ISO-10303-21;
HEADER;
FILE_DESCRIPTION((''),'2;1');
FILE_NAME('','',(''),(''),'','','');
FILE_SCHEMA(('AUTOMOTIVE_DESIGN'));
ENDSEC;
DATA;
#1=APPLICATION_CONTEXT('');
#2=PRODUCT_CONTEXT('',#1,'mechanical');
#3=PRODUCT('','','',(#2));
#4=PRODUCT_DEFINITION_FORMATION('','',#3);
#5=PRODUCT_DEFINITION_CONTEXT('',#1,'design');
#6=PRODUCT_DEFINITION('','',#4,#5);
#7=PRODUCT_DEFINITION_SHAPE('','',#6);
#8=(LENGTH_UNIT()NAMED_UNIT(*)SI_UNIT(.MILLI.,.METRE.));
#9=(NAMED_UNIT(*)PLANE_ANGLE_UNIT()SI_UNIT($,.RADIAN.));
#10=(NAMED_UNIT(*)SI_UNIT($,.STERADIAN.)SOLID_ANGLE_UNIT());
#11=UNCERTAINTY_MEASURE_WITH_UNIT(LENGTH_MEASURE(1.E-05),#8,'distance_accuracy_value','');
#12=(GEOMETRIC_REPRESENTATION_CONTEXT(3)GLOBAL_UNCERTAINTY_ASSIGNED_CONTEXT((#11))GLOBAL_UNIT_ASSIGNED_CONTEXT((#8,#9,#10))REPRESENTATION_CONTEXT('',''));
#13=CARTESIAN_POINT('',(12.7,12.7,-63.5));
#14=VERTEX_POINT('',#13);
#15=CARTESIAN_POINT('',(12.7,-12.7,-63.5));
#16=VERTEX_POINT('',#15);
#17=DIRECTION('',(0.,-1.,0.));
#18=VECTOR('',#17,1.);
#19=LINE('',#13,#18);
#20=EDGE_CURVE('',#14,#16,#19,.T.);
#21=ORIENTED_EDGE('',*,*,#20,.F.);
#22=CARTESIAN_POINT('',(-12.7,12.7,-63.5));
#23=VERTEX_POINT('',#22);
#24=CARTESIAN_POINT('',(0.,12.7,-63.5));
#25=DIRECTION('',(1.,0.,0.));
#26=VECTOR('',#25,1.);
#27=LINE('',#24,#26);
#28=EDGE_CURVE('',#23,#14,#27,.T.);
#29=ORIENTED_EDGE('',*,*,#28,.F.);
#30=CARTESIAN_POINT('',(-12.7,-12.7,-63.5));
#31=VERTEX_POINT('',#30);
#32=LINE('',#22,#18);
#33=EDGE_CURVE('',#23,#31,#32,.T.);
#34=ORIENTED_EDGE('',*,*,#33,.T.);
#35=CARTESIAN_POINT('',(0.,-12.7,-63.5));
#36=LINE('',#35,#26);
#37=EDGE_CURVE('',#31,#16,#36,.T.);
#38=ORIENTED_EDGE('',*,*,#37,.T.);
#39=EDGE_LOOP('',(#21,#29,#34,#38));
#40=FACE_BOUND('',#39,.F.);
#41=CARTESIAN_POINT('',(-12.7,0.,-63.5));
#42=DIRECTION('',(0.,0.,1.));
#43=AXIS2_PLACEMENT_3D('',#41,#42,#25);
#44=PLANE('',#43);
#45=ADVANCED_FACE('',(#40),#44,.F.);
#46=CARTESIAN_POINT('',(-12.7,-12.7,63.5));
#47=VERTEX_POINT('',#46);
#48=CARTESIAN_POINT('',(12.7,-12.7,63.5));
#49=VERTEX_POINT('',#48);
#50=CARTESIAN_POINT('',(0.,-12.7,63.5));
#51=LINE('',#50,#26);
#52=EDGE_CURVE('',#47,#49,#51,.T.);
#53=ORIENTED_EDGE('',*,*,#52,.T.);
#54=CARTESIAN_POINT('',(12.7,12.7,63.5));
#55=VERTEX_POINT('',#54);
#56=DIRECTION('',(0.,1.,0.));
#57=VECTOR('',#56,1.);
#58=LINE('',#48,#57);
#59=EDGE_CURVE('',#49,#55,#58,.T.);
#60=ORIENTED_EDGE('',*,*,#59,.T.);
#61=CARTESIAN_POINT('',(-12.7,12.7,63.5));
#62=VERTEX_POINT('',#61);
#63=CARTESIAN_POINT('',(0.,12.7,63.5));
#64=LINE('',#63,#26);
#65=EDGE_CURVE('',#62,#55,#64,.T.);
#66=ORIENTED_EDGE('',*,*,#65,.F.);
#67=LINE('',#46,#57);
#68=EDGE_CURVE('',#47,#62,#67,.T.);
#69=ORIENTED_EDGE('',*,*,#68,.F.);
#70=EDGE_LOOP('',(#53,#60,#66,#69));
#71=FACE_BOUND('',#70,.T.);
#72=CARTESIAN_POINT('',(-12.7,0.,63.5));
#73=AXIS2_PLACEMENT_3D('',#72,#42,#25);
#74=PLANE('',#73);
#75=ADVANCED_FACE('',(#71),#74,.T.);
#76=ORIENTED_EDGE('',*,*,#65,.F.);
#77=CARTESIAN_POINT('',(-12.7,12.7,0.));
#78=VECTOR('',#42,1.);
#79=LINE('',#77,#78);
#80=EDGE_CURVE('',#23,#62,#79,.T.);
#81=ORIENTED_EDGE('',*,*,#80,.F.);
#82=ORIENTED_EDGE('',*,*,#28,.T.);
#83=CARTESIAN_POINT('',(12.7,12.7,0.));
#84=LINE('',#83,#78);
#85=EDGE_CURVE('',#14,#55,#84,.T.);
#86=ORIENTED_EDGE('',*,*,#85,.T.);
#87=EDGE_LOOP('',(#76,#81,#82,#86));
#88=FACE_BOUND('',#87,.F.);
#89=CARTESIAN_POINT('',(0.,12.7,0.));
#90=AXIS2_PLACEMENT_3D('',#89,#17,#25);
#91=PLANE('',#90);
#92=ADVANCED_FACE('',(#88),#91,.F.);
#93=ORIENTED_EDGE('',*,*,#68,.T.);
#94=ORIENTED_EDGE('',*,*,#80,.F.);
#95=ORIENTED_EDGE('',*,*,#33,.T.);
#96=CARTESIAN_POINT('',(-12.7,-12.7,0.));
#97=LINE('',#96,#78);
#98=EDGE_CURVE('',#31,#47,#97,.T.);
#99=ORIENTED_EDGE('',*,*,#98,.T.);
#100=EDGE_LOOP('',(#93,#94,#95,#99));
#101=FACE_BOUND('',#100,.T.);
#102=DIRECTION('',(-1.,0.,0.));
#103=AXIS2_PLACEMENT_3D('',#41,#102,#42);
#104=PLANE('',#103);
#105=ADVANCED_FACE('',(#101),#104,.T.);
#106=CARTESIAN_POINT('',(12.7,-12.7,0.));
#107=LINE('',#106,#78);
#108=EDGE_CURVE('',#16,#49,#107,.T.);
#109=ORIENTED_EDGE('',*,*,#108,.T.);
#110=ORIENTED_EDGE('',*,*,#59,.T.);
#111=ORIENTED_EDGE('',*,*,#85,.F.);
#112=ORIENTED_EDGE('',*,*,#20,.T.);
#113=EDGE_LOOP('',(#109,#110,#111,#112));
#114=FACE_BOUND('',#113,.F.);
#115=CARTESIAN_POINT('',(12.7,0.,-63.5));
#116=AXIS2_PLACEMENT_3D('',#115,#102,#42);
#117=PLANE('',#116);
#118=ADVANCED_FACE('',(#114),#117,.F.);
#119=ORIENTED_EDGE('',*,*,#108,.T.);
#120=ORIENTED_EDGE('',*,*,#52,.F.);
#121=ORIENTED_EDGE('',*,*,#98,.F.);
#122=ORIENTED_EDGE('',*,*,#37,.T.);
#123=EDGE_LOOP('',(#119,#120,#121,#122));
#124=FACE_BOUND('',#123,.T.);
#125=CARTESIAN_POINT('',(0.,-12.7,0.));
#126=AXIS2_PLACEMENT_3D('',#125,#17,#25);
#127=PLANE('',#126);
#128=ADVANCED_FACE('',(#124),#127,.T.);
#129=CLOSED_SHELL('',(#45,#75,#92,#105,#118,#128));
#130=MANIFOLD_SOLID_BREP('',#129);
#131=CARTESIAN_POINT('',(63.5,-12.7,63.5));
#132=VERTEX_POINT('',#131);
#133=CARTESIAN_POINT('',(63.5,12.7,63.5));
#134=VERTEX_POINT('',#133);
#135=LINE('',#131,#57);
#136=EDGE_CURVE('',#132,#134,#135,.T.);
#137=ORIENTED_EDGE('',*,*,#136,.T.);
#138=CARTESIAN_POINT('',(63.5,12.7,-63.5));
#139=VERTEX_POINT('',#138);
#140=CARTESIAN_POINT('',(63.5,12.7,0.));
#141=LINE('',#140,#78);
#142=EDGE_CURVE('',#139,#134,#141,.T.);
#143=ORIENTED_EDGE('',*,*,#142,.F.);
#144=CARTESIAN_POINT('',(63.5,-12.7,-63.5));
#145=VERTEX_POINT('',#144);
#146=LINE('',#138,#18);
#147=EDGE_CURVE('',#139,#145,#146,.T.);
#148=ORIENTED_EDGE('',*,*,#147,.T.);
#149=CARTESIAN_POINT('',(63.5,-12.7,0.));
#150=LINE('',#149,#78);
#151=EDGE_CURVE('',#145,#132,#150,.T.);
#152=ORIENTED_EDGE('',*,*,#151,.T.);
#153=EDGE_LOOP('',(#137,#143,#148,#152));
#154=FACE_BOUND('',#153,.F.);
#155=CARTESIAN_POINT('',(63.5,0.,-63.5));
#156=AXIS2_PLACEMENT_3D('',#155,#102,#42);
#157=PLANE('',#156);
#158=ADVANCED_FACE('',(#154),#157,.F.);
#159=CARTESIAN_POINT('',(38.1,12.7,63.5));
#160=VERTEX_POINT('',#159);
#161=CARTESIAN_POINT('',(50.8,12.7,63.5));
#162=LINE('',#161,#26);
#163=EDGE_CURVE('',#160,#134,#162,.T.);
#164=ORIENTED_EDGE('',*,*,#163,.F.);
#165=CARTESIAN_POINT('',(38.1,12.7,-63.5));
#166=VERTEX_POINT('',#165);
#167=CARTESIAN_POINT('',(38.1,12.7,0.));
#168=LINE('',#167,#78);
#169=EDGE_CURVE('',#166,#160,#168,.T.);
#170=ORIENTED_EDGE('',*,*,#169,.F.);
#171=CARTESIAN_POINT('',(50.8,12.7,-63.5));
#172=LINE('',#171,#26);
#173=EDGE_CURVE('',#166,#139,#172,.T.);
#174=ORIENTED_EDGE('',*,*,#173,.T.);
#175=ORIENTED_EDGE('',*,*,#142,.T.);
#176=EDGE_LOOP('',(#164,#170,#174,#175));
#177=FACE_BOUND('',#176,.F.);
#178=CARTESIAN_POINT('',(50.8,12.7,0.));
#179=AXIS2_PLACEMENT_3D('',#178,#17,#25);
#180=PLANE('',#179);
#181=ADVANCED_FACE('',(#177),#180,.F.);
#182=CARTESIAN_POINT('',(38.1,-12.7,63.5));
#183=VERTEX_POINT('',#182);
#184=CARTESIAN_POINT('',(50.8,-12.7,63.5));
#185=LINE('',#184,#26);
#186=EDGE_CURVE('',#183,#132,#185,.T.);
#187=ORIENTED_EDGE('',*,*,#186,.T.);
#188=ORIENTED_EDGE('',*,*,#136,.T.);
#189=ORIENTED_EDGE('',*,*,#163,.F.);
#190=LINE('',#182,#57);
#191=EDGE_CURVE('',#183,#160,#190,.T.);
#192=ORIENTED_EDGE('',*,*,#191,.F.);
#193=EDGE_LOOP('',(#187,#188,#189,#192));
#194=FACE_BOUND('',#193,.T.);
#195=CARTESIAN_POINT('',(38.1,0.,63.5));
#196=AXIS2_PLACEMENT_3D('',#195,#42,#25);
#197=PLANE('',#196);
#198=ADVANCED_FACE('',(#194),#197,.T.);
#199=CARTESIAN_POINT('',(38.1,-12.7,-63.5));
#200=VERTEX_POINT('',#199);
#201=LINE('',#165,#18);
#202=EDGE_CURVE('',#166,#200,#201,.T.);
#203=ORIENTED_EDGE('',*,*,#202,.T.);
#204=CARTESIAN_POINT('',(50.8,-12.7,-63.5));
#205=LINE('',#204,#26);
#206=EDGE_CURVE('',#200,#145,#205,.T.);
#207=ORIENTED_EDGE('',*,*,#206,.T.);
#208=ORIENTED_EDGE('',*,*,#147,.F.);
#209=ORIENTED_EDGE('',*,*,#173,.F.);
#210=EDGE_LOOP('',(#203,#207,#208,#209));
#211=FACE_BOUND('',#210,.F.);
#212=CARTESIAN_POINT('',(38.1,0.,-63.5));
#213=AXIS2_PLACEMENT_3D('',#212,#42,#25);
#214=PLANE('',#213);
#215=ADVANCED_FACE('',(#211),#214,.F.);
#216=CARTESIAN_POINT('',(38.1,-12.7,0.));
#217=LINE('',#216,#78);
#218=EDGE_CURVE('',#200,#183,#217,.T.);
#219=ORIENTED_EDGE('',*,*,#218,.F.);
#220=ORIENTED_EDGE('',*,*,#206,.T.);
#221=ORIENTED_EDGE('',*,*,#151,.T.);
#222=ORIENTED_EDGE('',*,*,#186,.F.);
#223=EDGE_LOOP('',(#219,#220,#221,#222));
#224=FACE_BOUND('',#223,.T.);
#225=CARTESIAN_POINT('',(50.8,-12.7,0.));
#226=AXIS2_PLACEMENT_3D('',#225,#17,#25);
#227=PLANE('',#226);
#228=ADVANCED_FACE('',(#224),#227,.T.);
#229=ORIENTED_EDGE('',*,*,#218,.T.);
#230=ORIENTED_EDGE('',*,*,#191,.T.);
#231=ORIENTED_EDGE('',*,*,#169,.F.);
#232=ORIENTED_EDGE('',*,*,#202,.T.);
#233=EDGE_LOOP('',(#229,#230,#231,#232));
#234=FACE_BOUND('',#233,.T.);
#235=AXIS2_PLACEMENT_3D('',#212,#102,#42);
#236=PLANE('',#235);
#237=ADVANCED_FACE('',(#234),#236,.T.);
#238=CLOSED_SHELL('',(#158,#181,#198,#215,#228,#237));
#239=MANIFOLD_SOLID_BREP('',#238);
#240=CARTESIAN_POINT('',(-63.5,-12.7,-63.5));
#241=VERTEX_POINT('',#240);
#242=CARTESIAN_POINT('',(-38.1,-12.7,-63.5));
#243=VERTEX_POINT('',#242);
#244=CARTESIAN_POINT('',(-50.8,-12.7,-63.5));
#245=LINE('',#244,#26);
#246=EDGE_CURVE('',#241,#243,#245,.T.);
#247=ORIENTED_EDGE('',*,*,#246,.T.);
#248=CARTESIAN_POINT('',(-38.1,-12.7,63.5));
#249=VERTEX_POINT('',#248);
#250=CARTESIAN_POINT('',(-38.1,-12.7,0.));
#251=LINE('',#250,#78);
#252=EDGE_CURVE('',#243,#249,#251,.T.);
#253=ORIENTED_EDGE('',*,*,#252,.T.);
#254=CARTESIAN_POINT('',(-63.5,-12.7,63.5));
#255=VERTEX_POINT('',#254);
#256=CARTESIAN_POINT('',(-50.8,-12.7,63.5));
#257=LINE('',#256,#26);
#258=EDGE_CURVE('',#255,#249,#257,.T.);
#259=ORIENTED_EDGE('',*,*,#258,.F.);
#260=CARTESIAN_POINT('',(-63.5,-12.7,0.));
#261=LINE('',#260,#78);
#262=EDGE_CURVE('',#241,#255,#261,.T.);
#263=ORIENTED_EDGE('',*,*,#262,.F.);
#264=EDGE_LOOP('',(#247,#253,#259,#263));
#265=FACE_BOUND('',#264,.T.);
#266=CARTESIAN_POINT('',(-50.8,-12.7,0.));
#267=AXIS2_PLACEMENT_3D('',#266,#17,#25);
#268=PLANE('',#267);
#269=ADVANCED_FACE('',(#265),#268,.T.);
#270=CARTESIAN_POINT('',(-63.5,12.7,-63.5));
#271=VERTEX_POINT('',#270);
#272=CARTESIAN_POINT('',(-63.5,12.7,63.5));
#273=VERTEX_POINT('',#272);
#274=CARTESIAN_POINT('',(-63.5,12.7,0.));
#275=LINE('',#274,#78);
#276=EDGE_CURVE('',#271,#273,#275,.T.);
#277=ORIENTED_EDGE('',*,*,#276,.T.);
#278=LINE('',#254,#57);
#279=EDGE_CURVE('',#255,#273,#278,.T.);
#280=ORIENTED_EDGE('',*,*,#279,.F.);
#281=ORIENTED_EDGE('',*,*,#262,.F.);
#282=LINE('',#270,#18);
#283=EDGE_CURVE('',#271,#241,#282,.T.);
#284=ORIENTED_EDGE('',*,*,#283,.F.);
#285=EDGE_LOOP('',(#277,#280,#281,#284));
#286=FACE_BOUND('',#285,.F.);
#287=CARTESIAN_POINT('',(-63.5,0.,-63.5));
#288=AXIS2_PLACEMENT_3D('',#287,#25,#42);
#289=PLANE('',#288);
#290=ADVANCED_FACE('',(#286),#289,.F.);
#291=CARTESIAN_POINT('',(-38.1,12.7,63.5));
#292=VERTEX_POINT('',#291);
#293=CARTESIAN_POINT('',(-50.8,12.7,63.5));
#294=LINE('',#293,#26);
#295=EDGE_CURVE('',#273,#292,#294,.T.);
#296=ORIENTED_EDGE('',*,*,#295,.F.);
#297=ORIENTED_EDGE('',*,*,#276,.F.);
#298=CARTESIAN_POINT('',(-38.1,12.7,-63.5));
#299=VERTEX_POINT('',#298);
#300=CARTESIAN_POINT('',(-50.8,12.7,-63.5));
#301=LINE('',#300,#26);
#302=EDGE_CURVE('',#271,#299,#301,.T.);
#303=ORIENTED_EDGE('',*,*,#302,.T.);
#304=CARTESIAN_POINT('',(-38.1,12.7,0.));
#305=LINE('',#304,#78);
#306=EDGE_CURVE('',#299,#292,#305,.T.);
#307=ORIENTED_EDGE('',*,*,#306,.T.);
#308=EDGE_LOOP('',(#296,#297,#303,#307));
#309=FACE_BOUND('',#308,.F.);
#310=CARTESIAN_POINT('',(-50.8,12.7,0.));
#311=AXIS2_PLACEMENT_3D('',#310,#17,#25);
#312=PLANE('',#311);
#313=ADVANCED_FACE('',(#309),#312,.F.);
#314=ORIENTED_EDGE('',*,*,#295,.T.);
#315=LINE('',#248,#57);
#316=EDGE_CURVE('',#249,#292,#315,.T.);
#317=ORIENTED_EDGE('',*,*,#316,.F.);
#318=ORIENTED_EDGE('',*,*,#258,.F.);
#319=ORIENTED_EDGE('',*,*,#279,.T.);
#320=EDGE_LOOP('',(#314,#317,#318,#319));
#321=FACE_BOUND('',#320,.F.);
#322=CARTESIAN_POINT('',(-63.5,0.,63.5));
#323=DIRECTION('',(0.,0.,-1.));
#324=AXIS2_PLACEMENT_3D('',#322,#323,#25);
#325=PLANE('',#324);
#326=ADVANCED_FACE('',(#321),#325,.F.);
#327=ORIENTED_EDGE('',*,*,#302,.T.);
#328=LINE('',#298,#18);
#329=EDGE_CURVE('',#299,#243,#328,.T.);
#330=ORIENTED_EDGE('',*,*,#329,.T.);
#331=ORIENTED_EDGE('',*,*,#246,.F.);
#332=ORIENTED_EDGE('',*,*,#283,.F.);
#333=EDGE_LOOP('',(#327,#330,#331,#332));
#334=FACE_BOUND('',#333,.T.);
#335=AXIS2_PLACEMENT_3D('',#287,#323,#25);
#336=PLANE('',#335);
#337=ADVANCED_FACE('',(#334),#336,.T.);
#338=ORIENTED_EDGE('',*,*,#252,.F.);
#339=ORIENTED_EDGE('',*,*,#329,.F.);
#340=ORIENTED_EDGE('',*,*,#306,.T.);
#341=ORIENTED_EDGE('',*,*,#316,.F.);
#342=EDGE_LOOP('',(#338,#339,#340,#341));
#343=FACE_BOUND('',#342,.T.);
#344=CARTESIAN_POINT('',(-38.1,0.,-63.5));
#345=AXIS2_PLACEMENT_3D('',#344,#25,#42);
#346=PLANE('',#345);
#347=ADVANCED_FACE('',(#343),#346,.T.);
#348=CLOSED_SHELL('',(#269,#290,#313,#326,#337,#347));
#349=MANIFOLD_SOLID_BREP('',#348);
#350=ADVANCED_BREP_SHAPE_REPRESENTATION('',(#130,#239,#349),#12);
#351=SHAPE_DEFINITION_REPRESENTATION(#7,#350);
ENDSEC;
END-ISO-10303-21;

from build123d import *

# Parameters (mm, degrees)
F0_W     = 25.4
F0_H     = 127
F1_DEPTH = 12.7


with BuildPart() as f1:
    # F0 (on Front) → F1 (new body, symmetric)
    with BuildSketch(Plane.XZ):
        Rectangle(F0_W, F0_H)
        with Locations((50.8, 0)):
            Rectangle(F0_W, F0_H)
        with Locations((-50.8, 0)):
            Rectangle(F0_W, F0_H)
    extrude(amount=F1_DEPTH, both=True)


solid = f1.part
